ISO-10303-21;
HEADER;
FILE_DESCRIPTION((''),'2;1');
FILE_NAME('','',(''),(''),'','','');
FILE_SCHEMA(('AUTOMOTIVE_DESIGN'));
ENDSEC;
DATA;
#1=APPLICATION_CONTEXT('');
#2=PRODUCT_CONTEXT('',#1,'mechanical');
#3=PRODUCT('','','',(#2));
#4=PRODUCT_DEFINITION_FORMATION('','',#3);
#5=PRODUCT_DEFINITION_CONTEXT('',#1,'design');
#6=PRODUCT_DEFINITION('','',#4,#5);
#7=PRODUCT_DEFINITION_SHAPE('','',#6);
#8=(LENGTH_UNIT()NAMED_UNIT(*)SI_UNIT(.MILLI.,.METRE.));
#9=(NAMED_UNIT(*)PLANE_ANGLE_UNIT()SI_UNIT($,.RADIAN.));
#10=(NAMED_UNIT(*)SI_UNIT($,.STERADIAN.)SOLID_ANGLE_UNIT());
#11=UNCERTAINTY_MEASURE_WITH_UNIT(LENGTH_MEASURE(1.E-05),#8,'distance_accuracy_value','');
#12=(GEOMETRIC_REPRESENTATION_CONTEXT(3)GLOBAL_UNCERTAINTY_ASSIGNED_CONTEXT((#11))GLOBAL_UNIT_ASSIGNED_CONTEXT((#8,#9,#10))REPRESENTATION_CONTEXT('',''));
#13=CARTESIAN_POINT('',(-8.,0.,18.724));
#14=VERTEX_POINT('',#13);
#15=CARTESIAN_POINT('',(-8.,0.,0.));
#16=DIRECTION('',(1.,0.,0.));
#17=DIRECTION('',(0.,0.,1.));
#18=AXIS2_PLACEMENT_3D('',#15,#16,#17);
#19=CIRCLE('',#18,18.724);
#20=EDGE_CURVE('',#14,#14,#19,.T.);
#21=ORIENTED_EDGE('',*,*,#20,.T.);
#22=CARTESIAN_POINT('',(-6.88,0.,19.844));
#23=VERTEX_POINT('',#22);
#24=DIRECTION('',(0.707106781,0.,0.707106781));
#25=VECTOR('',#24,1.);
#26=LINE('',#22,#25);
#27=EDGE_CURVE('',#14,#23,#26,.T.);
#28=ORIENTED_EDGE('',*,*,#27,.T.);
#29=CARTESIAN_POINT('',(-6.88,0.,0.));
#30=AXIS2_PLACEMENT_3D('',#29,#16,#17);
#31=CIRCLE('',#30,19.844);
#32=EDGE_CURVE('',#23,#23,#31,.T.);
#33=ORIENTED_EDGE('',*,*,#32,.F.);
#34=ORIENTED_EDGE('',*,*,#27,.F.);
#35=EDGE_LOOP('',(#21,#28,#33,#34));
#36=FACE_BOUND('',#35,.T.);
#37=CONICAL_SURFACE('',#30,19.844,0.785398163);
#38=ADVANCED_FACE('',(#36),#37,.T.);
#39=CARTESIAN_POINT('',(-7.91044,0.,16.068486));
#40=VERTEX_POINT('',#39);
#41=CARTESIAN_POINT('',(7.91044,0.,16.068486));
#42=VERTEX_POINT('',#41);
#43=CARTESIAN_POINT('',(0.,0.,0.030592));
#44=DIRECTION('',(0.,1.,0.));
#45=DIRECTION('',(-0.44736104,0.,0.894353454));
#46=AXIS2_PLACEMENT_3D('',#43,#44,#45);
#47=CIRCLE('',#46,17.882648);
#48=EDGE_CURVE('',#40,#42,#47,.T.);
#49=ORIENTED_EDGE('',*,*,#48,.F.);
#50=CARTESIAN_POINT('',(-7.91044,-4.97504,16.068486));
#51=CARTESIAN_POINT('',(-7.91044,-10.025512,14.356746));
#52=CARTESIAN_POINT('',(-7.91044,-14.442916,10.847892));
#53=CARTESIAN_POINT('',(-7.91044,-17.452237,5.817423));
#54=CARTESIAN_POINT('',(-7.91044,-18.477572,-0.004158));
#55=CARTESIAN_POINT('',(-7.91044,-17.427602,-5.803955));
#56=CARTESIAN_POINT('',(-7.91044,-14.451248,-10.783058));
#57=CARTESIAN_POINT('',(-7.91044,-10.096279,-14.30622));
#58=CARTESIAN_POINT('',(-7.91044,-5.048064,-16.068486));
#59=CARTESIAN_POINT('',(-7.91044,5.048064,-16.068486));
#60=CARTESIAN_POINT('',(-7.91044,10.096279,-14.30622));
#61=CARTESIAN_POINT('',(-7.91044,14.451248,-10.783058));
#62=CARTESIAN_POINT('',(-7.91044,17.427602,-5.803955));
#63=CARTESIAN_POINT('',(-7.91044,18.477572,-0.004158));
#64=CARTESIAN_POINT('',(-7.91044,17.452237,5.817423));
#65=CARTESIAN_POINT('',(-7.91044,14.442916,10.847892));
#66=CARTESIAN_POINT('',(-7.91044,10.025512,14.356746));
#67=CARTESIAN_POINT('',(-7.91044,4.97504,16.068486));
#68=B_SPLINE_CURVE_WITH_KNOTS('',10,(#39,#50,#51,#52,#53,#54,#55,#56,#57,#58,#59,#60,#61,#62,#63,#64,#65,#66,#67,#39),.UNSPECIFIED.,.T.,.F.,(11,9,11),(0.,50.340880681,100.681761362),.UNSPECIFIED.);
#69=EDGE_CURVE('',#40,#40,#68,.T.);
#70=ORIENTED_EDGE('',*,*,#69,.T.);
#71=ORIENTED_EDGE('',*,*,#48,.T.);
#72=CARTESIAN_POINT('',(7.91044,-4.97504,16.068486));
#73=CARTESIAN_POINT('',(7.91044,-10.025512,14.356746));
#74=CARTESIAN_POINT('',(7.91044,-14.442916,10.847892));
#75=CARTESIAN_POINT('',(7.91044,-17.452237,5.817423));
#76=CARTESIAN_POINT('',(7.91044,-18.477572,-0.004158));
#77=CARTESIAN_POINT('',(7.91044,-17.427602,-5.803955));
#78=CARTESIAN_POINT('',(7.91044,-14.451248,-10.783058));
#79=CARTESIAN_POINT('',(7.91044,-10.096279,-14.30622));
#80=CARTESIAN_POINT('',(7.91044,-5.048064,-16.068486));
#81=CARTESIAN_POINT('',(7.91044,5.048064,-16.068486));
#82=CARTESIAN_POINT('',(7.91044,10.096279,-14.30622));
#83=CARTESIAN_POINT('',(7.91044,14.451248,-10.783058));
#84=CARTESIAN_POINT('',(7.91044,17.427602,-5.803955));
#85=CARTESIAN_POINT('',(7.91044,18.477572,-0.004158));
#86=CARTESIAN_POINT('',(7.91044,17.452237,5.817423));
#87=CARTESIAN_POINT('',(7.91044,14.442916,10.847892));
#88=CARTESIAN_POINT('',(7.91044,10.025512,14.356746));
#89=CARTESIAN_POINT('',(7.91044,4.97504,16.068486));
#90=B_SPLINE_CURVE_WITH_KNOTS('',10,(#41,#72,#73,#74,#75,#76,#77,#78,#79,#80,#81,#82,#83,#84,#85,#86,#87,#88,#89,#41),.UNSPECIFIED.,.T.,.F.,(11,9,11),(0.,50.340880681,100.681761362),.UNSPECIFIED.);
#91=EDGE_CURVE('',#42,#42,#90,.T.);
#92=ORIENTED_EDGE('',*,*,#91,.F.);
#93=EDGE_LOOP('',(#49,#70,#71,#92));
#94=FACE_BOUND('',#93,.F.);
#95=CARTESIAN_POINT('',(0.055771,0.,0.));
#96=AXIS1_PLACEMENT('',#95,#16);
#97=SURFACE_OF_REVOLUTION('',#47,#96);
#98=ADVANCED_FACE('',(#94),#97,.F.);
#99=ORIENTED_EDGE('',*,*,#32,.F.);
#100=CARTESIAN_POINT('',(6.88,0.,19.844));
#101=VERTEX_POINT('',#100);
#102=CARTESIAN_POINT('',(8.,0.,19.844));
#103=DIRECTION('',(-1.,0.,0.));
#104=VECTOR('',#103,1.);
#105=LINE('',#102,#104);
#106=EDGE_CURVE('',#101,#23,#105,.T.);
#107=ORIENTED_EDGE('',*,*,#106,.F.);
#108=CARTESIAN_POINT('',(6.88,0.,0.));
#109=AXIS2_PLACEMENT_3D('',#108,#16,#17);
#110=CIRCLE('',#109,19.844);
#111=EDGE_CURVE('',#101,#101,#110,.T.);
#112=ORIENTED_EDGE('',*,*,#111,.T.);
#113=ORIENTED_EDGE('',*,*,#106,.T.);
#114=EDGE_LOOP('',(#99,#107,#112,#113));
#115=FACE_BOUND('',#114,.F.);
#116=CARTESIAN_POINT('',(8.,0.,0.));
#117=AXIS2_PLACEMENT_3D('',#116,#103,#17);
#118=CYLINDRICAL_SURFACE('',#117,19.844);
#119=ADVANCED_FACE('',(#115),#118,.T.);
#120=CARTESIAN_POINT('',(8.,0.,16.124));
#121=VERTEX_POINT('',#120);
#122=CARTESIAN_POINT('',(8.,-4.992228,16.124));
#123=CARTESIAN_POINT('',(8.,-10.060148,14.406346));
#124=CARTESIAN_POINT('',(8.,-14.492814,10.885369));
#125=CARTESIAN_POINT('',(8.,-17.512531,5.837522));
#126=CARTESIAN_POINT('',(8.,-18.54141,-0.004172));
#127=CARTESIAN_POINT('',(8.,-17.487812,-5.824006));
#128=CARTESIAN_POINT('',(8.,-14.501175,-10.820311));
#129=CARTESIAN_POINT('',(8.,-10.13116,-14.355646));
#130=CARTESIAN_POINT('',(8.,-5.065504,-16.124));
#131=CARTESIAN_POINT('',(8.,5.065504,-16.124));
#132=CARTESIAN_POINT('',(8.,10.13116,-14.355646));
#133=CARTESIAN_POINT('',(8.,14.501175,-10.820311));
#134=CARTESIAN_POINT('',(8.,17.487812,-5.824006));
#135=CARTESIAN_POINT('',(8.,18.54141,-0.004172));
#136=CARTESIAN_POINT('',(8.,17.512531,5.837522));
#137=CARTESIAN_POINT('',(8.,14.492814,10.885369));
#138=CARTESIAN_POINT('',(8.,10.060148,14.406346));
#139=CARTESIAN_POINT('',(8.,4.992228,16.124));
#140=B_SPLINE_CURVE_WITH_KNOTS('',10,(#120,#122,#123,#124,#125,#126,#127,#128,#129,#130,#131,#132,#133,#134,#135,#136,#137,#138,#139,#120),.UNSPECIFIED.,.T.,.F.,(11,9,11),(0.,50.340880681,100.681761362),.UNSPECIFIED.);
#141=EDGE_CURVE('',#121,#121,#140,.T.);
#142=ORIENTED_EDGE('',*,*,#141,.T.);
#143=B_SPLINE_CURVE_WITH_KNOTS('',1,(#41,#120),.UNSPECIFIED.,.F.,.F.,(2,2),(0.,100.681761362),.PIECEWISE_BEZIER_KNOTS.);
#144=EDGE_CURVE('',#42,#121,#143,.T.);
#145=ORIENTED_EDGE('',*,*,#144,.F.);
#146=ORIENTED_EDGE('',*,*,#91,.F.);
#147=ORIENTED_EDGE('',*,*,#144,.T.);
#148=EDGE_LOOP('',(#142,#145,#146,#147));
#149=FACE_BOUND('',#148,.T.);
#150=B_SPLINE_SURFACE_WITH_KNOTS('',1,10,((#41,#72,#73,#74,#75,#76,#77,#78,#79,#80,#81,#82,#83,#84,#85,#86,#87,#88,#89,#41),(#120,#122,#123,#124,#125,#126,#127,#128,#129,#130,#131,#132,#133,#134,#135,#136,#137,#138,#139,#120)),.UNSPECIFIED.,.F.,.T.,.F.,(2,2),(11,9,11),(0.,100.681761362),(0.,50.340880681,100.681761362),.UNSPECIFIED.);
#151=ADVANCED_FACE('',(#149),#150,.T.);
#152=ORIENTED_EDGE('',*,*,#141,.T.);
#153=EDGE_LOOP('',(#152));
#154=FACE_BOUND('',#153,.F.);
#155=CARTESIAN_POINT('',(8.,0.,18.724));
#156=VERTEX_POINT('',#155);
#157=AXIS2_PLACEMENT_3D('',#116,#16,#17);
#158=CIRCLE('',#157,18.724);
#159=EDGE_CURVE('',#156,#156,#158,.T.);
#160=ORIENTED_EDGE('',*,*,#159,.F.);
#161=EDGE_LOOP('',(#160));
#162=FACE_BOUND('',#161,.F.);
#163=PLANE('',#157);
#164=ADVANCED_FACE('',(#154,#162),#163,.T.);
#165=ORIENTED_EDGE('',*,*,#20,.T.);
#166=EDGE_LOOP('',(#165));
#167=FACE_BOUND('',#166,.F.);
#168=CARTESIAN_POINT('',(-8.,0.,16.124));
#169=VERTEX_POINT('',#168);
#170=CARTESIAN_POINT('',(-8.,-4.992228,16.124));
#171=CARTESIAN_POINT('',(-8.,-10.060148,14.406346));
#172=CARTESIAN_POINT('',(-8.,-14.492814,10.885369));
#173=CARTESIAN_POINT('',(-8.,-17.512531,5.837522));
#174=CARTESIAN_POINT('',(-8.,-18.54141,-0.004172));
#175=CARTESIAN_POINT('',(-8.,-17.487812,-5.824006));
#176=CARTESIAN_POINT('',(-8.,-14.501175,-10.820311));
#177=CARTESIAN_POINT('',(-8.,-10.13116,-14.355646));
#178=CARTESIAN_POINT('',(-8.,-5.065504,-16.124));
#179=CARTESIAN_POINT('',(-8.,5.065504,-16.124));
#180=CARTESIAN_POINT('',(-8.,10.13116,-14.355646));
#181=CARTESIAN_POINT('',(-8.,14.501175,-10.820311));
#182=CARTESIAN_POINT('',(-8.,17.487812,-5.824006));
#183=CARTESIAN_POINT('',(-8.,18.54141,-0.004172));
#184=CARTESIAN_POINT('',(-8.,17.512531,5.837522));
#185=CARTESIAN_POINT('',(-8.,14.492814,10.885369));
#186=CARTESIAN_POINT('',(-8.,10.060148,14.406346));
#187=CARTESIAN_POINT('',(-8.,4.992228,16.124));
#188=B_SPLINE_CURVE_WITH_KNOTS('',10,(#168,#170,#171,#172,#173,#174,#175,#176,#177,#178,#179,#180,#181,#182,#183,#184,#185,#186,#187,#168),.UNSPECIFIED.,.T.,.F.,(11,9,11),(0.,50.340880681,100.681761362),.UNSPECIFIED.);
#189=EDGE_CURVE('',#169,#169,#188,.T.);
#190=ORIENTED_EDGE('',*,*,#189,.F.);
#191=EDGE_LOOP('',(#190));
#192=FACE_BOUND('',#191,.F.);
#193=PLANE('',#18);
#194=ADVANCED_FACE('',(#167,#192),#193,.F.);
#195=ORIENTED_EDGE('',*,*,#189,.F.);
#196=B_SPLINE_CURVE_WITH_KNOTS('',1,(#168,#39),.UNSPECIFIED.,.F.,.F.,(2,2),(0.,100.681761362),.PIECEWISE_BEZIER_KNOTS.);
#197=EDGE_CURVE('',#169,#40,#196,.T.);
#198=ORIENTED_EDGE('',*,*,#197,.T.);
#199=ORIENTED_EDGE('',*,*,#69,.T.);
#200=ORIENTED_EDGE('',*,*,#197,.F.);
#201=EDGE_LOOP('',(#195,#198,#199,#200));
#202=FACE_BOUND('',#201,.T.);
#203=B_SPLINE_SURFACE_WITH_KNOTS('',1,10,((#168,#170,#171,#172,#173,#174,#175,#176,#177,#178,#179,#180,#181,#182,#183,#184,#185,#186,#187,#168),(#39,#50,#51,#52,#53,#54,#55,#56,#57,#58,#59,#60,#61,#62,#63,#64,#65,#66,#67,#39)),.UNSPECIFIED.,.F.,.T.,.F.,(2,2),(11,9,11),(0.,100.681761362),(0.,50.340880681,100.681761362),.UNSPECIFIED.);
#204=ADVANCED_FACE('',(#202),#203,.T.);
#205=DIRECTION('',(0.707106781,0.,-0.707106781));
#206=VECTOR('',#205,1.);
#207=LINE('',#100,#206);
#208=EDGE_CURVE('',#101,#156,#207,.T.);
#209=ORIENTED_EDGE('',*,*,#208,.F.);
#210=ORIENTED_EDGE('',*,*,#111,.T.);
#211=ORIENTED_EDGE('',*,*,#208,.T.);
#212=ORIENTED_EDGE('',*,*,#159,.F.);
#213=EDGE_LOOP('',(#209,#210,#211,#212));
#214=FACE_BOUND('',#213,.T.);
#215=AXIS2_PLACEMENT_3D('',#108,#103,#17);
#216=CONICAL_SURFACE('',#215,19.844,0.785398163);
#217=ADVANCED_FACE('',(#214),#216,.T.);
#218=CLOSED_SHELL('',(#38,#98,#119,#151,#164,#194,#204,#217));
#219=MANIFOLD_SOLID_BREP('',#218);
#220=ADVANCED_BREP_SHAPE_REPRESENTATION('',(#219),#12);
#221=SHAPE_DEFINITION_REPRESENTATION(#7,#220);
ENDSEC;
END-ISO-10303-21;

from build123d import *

# Parameters (mm, degrees)
F3_SIZE = 0.1
F4_SIZE = 1.12


with BuildPart() as f2:
    # F0 (on Front) → F2 (revolve)
    with BuildSketch(Plane.XZ):
        with BuildLine():
            Line((8, 19.844), (-8, 19.844))
            Line((-8, 19.844), (-8, 16.024))
            ThreePointArc((-8, 16.024), (0, 17.91324), (8, 16.024))
            Line((8, 16.024), (8, 19.844))
        make_face()
    revolve(axis=Axis((0.055771, 0, 0), (1, 0, 0)))

    # F3
    f3_edges = [f2.edges().sort_by_distance(p)[0] for p in [
        (8, 0, -16.024),
        (-8, 0, -16.024),
    ]]
    chamfer(f3_edges, length=F3_SIZE)

    # F4
    f4_edges = [f2.edges().sort_by_distance(p)[0] for p in [
        (-8, 0, -19.844),
        (8, 0, -19.844),
    ]]
    chamfer(f4_edges, length=F4_SIZE)


solid = f2.part
